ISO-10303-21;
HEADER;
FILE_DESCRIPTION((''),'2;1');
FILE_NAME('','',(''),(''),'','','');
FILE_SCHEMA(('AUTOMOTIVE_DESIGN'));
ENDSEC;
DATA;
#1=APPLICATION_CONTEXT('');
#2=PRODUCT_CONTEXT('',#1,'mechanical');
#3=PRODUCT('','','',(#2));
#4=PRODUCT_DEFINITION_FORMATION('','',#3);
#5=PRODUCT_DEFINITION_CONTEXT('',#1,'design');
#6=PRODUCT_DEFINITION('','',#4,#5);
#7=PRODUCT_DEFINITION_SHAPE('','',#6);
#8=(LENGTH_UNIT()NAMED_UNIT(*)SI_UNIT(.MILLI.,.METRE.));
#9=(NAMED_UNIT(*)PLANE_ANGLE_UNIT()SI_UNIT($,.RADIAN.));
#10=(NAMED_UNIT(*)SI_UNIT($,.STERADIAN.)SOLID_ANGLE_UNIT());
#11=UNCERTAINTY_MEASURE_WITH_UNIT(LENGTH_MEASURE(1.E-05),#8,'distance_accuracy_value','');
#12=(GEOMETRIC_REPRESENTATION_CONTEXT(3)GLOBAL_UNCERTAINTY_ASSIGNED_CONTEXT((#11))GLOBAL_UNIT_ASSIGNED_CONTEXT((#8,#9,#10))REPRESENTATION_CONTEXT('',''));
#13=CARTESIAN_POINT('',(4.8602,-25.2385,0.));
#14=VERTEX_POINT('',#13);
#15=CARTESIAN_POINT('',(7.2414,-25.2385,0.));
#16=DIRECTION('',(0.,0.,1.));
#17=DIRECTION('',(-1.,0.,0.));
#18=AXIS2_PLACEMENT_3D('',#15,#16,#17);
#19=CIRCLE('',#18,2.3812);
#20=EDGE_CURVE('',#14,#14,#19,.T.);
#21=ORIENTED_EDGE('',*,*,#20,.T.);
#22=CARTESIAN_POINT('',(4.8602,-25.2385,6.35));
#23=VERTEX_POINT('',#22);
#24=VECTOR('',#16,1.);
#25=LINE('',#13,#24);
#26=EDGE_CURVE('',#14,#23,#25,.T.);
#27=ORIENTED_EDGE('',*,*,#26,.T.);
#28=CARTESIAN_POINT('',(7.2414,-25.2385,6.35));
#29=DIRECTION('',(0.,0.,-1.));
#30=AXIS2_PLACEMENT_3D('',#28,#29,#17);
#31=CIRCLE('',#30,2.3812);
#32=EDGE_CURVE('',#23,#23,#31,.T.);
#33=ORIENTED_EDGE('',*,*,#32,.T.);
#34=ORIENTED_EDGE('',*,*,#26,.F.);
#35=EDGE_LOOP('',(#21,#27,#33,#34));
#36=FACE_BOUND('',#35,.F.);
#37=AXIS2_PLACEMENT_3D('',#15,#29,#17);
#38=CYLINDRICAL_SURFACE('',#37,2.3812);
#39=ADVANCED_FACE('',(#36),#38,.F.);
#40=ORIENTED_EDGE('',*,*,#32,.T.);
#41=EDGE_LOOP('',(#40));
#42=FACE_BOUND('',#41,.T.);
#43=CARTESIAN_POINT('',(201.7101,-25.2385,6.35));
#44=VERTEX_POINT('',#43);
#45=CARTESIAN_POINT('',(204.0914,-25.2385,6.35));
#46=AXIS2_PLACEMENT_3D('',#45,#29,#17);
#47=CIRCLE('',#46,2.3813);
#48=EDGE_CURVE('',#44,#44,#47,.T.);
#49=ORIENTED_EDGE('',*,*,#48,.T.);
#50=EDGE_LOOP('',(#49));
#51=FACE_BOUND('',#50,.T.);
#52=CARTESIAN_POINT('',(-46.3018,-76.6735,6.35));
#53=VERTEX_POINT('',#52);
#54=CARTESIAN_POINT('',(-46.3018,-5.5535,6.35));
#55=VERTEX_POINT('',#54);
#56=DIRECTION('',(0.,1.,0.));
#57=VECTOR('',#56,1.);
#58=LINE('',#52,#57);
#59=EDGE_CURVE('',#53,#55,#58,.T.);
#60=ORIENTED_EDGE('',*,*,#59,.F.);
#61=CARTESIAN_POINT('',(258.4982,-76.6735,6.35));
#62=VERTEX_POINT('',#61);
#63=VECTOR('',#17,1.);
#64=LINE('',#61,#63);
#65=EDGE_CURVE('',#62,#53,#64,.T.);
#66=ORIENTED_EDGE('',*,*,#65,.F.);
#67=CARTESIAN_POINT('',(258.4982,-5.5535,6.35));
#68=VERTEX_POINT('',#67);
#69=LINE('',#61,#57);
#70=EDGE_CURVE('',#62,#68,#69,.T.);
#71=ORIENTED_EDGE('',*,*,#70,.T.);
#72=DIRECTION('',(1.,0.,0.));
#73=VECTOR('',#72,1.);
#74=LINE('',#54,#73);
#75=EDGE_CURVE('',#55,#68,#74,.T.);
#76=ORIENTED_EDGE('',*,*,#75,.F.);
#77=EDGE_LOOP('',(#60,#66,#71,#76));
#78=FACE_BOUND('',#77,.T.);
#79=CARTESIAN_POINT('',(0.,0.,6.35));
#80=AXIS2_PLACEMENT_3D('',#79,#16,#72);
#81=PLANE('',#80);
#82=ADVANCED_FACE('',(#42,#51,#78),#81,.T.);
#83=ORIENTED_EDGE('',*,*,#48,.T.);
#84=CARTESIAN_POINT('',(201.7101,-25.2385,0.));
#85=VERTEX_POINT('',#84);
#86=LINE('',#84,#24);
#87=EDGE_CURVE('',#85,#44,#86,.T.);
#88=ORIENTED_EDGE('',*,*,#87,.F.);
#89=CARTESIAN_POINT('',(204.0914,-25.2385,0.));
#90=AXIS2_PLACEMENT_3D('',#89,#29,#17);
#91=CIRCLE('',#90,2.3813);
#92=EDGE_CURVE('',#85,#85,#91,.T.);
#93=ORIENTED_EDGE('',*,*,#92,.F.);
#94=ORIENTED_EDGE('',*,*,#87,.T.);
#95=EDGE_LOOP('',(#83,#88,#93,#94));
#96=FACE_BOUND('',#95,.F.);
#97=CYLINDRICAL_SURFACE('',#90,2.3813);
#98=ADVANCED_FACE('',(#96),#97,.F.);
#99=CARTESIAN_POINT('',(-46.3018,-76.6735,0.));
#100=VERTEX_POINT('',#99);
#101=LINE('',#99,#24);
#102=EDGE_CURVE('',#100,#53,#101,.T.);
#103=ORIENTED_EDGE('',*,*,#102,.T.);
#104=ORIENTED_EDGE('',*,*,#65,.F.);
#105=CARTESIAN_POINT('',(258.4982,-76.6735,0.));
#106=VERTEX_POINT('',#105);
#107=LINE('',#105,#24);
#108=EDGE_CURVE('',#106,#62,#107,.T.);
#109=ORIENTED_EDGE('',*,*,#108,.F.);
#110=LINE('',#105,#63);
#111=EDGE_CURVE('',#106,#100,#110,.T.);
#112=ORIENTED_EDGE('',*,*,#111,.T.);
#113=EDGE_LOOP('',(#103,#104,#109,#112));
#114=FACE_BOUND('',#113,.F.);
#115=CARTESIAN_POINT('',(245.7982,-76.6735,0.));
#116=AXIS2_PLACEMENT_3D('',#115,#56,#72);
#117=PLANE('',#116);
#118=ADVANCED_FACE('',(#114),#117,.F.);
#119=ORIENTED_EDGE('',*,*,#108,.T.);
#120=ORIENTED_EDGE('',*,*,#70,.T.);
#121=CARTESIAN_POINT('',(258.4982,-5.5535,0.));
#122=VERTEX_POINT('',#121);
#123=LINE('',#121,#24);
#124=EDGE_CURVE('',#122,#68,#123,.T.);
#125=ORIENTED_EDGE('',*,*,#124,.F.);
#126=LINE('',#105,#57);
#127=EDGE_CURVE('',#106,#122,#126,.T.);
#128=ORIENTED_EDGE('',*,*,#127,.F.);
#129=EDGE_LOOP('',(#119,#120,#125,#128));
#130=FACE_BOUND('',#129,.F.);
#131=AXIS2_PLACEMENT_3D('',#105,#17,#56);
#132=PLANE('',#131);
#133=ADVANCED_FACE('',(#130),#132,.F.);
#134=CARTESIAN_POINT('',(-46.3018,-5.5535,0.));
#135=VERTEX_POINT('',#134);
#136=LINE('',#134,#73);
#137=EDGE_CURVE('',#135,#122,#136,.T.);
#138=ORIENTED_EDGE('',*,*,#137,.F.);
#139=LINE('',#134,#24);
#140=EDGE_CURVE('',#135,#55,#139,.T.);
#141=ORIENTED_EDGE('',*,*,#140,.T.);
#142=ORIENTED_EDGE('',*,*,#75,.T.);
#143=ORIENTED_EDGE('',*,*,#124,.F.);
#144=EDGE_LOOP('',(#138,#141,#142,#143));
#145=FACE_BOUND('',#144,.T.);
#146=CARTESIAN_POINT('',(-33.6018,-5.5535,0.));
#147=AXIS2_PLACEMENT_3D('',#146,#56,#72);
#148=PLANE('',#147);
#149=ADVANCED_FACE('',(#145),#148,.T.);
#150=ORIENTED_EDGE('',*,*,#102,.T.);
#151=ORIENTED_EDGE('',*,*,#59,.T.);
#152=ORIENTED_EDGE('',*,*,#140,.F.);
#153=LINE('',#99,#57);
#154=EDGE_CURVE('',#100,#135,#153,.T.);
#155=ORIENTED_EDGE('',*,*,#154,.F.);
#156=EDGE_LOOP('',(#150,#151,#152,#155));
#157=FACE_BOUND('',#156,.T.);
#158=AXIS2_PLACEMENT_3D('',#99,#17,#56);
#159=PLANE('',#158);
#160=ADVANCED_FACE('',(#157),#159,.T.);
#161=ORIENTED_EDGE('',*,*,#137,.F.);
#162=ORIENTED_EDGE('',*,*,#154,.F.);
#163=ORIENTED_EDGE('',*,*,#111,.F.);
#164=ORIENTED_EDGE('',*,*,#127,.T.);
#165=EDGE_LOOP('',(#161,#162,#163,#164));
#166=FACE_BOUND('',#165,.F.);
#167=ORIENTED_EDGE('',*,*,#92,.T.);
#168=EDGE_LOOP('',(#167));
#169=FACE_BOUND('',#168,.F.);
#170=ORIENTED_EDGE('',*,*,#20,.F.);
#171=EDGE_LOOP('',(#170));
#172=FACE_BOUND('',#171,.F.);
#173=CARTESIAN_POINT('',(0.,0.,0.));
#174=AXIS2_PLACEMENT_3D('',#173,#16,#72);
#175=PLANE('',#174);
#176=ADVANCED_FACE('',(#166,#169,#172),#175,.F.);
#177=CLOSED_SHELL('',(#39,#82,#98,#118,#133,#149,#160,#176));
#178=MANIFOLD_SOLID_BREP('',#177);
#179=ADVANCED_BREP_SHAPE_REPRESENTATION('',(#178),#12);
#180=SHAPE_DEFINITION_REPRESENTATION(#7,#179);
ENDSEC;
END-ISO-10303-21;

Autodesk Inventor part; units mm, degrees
ref_plane "YZ Plane" through (0, 0, 0) normal (1, 0, 0) x (0, 1, 0)
ref_plane "XZ Plane" through (0, 0, 0) normal (0, 1, 0) x (-1, 0, 0)
ref_plane "XY Plane" through (0, 0, 0) normal (0, 0, 1) x (1, 0, 0)
sketch "Sketch1" plane through (0, 0, 0) normal (0, 0, 1) x (1, 0, 0)
  line L0 (-39.9518, 9.6865) -> (252.1482, 9.6865)
  line L1 (252.1482, 9.6865) -> (252.1482, -91.9135)
  line L2 (252.1482, -91.9135) -> (-39.9518, -91.9135)
  line L3 (-39.9518, -91.9135) -> (-39.9518, 9.6865)
  point P0 (0, 0)
  dimension "d0" = 292.1
  dimension "d1" = 101.6
extrude "Extrusion1" add sketch "Sketch1" along normal blind 6.35
sketch "Sketch2" plane through (0, 0, 0) normal (0, 0, -1) x (-1, 0, 0)
  line L0 (39.9518, -91.9135) -> (33.6018, -91.9135)
  line L1 (33.6018, -91.9135) -> (33.6018, -76.6735)
  line L2 (33.6018, -76.6735) -> (39.9518, -76.6735)
  line L3 (39.9518, -76.6735) -> (39.9518, -91.9135)
  line L4 (-252.1482, 9.6865) -> (-245.7982, 9.6865)
  line L5 (-245.7982, 9.6865) -> (-245.7982, -5.5535)
  line L6 (-245.7982, -5.5535) -> (-252.1482, -5.5535)
  line L7 (-252.1482, -5.5535) -> (-252.1482, 9.6865)
  line L8 (-252.1482, -91.9135) -> (-245.7982, -91.9135)
  line L9 (-245.7982, -91.9135) -> (-245.7982, -76.6735)
  line L10 (-245.7982, -76.6735) -> (-252.1482, -76.6735)
  line L11 (-252.1482, -76.6735) -> (-252.1482, -91.9135)
  line L12 (39.9518, 9.6865) -> (33.6018, 9.6865)
  line L13 (33.6018, 9.6865) -> (33.6018, -5.5535)
  line L14 (33.6018, -5.5535) -> (39.9518, -5.5535)
  line L15 (39.9518, -5.5535) -> (39.9518, 9.6865)
  point P0 (0, 0)
  dimension "d4" = 6.35
  dimension "d5" = 15.24
  dimension "d6" = 6.35
  dimension "d7" = 15.24
extrude "Extrusion2" cut sketch "Sketch2" against normal blind 25.4
sketch "Sketch3" plane through (0, 0, 0) normal (0, 0, -1) x (-1, 0, 0)
  line L0 (-252.1482, -76.6735) -> (-258.4982, -76.6735)
  line L1 (-258.4982, -76.6735) -> (-258.4982, -5.5535)
  line L2 (-258.4982, -5.5535) -> (-252.1482, -5.5535)
  line L3 (-252.1482, -5.5535) -> (-252.1482, -76.6735)
  line L4 (39.9518, -76.6735) -> (46.3018, -76.6735)
  line L5 (46.3018, -76.6735) -> (46.3018, -5.5535)
  line L6 (46.3018, -5.5535) -> (39.9518, -5.5535)
  line L7 (39.9518, -5.5535) -> (39.9518, -76.6735)
  point P0 (0, 0)
  dimension "d10" = 6.35
  dimension "d11" = 6.35
extrude "Extrusion3" add sketch "Sketch3" against normal blind 6.35
sketch "Sketch4" plane through (0, 0, 0) normal (0, 0, -1) x (-1, 0, 0)
  line L0 (33.6018, 9.6865) -> (-245.7982, 9.6865) projected
  line L1 (-258.4982, -76.6735) -> (-245.7982, -76.6735) projected
  line L2 (-106.0982, 9.6865) -> (-106.0982, -25.2385)
  line L3 (-106.0982, -25.2385) -> (-204.0914, -25.2385)
  line L4 (-204.0914, -25.2385) -> (-7.2414, -25.2385)
  circle A0 centre (-7.2414, -25.2385) radius 2.3812
  circle A1 centre (-204.0914, -25.2385) radius 2.3813
  point P0 (0, 0)
  dimension "d14" = 34.925
  dimension "d15" = 97.9932
  dimension "d16" = 196.85
  dimension "d17" = 4.7625
extrude "Extrusion4" cut sketch "Sketch4" against normal blind 6.35
sketch "Sketch5" plane through (0, 0, 0) normal (0, 0, -1) x (-1, 0, 0)
  line L0 (-245.7982, -76.6735) -> (-245.7982, -91.9135) projected
  line L1 (-245.7982, -91.9135) -> (33.6018, -91.9135) projected
  line L2 (33.6018, -91.9135) -> (33.6018, -76.6735) projected
  line L3 (33.6018, -5.5535) -> (33.6018, 9.6865) projected
  line L4 (33.6018, 9.6865) -> (-245.7982, 9.6865) projected
  line L5 (-245.7982, 9.6865) -> (-245.7982, -5.5535) projected
  line L6 (-258.4982, -76.6735) -> (-245.7982, -76.6735) projected
  line L7 (33.6018, -5.5535) -> (-245.7982, -5.5535)
  line L8 (-245.7982, -76.6735) -> (33.6018, -76.6735)
  point P0 (0, 0)
extrude "Extrusion5" cut sketch "Sketch5" against normal blind 6.35
properties part number "kinect rotate2 bottom"
